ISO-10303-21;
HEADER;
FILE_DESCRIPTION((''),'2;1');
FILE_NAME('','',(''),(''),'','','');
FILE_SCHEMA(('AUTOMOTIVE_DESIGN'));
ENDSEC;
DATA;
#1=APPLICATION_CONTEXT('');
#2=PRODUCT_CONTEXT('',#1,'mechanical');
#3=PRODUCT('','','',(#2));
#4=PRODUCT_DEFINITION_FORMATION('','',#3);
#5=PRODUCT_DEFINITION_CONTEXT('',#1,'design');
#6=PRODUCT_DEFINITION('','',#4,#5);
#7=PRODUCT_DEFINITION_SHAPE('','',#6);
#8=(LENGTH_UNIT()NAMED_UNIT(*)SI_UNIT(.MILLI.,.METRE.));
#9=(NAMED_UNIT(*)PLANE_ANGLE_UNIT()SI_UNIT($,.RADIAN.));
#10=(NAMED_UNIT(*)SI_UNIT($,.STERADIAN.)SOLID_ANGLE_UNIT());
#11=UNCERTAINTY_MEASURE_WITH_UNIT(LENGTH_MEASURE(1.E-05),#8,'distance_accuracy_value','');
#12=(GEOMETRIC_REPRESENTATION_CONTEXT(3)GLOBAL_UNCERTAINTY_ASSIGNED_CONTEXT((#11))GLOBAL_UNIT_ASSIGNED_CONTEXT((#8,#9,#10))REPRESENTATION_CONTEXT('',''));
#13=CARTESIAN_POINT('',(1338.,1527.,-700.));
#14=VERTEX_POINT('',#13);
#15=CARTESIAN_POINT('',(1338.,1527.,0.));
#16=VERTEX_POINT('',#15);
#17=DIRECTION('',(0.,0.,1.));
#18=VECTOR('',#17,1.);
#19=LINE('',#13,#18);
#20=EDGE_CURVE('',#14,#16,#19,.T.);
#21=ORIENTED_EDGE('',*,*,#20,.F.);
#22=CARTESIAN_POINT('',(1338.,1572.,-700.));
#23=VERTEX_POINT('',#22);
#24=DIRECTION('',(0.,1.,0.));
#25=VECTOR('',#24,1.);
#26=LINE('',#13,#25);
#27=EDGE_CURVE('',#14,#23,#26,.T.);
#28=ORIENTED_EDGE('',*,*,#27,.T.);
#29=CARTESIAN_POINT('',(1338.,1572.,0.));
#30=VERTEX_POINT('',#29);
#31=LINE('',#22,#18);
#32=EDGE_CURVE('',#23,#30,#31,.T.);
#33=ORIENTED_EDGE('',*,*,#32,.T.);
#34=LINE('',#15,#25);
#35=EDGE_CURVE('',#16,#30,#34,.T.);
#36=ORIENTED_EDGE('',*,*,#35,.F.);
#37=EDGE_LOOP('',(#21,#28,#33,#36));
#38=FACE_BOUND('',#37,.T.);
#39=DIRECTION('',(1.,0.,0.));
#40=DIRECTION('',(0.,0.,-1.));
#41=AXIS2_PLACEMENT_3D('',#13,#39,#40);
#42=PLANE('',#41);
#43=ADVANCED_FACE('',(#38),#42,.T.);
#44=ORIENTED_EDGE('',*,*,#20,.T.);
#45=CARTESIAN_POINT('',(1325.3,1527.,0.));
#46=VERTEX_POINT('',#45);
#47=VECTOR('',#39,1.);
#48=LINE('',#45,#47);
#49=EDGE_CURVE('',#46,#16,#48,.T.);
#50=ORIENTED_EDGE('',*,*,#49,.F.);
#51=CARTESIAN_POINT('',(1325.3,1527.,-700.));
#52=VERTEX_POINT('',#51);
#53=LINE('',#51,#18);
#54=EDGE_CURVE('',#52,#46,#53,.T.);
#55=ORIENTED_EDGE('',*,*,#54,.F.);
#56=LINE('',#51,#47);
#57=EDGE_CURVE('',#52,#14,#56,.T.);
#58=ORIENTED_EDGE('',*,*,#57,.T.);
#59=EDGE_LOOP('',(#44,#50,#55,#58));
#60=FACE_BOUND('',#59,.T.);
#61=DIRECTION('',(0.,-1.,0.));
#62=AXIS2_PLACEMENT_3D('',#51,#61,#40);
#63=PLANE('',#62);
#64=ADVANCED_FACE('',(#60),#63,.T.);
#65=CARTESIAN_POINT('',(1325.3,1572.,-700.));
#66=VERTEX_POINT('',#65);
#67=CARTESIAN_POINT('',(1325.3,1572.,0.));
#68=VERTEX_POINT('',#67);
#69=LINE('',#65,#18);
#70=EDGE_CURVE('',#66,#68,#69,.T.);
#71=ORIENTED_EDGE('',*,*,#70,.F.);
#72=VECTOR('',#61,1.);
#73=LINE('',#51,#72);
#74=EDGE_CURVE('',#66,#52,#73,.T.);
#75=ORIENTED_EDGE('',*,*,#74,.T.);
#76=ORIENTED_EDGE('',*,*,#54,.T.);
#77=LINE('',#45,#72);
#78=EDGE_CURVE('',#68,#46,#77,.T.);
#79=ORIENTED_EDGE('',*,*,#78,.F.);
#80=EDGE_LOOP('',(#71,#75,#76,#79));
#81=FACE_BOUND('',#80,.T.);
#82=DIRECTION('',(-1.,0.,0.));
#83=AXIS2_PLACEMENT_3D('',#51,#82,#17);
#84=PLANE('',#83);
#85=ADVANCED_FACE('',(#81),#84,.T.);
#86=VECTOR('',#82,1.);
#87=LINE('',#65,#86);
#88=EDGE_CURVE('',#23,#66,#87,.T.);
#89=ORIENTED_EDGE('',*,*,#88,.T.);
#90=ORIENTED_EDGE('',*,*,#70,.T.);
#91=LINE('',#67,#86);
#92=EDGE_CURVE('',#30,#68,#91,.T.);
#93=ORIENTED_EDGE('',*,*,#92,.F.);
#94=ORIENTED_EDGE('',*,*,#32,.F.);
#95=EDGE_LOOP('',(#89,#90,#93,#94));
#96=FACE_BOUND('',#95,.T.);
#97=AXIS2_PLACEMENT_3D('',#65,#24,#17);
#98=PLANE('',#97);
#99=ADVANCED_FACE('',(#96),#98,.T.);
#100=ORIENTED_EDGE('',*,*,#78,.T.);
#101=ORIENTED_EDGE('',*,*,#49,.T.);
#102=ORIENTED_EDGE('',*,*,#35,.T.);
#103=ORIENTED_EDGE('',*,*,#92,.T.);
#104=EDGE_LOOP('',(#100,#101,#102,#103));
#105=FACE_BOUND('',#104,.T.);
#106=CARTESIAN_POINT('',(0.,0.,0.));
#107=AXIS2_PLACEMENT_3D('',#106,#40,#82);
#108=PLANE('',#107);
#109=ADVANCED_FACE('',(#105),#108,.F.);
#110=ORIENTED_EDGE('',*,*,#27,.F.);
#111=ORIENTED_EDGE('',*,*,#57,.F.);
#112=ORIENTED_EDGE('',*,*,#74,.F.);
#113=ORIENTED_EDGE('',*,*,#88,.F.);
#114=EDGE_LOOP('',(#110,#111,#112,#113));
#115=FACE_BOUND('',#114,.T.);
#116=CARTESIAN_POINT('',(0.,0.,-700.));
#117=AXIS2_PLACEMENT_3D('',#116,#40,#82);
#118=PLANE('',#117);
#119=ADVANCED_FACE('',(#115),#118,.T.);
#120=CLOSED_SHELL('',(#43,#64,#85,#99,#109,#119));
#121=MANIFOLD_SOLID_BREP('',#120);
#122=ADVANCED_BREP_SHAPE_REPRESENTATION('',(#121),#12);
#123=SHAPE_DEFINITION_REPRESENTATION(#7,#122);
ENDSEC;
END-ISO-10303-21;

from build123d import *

# Parameters (mm, degrees)
SKETCH1_W                           = 12.7
SKETCH1_H                           = 45
DET_PASIF_RAY_GOVDE_45X12_7_1_DEPTH = 700


with BuildPart() as part:
    # Sketch1 → DET_PASIF_RAY_govde_45x12.7_1 (new body)
    with BuildSketch(Plane.XY):
        with Locations((1331.65, 1549.5)):
            Rectangle(SKETCH1_W, SKETCH1_H)
    extrude(amount=-DET_PASIF_RAY_GOVDE_45X12_7_1_DEPTH)


solid = part.part
